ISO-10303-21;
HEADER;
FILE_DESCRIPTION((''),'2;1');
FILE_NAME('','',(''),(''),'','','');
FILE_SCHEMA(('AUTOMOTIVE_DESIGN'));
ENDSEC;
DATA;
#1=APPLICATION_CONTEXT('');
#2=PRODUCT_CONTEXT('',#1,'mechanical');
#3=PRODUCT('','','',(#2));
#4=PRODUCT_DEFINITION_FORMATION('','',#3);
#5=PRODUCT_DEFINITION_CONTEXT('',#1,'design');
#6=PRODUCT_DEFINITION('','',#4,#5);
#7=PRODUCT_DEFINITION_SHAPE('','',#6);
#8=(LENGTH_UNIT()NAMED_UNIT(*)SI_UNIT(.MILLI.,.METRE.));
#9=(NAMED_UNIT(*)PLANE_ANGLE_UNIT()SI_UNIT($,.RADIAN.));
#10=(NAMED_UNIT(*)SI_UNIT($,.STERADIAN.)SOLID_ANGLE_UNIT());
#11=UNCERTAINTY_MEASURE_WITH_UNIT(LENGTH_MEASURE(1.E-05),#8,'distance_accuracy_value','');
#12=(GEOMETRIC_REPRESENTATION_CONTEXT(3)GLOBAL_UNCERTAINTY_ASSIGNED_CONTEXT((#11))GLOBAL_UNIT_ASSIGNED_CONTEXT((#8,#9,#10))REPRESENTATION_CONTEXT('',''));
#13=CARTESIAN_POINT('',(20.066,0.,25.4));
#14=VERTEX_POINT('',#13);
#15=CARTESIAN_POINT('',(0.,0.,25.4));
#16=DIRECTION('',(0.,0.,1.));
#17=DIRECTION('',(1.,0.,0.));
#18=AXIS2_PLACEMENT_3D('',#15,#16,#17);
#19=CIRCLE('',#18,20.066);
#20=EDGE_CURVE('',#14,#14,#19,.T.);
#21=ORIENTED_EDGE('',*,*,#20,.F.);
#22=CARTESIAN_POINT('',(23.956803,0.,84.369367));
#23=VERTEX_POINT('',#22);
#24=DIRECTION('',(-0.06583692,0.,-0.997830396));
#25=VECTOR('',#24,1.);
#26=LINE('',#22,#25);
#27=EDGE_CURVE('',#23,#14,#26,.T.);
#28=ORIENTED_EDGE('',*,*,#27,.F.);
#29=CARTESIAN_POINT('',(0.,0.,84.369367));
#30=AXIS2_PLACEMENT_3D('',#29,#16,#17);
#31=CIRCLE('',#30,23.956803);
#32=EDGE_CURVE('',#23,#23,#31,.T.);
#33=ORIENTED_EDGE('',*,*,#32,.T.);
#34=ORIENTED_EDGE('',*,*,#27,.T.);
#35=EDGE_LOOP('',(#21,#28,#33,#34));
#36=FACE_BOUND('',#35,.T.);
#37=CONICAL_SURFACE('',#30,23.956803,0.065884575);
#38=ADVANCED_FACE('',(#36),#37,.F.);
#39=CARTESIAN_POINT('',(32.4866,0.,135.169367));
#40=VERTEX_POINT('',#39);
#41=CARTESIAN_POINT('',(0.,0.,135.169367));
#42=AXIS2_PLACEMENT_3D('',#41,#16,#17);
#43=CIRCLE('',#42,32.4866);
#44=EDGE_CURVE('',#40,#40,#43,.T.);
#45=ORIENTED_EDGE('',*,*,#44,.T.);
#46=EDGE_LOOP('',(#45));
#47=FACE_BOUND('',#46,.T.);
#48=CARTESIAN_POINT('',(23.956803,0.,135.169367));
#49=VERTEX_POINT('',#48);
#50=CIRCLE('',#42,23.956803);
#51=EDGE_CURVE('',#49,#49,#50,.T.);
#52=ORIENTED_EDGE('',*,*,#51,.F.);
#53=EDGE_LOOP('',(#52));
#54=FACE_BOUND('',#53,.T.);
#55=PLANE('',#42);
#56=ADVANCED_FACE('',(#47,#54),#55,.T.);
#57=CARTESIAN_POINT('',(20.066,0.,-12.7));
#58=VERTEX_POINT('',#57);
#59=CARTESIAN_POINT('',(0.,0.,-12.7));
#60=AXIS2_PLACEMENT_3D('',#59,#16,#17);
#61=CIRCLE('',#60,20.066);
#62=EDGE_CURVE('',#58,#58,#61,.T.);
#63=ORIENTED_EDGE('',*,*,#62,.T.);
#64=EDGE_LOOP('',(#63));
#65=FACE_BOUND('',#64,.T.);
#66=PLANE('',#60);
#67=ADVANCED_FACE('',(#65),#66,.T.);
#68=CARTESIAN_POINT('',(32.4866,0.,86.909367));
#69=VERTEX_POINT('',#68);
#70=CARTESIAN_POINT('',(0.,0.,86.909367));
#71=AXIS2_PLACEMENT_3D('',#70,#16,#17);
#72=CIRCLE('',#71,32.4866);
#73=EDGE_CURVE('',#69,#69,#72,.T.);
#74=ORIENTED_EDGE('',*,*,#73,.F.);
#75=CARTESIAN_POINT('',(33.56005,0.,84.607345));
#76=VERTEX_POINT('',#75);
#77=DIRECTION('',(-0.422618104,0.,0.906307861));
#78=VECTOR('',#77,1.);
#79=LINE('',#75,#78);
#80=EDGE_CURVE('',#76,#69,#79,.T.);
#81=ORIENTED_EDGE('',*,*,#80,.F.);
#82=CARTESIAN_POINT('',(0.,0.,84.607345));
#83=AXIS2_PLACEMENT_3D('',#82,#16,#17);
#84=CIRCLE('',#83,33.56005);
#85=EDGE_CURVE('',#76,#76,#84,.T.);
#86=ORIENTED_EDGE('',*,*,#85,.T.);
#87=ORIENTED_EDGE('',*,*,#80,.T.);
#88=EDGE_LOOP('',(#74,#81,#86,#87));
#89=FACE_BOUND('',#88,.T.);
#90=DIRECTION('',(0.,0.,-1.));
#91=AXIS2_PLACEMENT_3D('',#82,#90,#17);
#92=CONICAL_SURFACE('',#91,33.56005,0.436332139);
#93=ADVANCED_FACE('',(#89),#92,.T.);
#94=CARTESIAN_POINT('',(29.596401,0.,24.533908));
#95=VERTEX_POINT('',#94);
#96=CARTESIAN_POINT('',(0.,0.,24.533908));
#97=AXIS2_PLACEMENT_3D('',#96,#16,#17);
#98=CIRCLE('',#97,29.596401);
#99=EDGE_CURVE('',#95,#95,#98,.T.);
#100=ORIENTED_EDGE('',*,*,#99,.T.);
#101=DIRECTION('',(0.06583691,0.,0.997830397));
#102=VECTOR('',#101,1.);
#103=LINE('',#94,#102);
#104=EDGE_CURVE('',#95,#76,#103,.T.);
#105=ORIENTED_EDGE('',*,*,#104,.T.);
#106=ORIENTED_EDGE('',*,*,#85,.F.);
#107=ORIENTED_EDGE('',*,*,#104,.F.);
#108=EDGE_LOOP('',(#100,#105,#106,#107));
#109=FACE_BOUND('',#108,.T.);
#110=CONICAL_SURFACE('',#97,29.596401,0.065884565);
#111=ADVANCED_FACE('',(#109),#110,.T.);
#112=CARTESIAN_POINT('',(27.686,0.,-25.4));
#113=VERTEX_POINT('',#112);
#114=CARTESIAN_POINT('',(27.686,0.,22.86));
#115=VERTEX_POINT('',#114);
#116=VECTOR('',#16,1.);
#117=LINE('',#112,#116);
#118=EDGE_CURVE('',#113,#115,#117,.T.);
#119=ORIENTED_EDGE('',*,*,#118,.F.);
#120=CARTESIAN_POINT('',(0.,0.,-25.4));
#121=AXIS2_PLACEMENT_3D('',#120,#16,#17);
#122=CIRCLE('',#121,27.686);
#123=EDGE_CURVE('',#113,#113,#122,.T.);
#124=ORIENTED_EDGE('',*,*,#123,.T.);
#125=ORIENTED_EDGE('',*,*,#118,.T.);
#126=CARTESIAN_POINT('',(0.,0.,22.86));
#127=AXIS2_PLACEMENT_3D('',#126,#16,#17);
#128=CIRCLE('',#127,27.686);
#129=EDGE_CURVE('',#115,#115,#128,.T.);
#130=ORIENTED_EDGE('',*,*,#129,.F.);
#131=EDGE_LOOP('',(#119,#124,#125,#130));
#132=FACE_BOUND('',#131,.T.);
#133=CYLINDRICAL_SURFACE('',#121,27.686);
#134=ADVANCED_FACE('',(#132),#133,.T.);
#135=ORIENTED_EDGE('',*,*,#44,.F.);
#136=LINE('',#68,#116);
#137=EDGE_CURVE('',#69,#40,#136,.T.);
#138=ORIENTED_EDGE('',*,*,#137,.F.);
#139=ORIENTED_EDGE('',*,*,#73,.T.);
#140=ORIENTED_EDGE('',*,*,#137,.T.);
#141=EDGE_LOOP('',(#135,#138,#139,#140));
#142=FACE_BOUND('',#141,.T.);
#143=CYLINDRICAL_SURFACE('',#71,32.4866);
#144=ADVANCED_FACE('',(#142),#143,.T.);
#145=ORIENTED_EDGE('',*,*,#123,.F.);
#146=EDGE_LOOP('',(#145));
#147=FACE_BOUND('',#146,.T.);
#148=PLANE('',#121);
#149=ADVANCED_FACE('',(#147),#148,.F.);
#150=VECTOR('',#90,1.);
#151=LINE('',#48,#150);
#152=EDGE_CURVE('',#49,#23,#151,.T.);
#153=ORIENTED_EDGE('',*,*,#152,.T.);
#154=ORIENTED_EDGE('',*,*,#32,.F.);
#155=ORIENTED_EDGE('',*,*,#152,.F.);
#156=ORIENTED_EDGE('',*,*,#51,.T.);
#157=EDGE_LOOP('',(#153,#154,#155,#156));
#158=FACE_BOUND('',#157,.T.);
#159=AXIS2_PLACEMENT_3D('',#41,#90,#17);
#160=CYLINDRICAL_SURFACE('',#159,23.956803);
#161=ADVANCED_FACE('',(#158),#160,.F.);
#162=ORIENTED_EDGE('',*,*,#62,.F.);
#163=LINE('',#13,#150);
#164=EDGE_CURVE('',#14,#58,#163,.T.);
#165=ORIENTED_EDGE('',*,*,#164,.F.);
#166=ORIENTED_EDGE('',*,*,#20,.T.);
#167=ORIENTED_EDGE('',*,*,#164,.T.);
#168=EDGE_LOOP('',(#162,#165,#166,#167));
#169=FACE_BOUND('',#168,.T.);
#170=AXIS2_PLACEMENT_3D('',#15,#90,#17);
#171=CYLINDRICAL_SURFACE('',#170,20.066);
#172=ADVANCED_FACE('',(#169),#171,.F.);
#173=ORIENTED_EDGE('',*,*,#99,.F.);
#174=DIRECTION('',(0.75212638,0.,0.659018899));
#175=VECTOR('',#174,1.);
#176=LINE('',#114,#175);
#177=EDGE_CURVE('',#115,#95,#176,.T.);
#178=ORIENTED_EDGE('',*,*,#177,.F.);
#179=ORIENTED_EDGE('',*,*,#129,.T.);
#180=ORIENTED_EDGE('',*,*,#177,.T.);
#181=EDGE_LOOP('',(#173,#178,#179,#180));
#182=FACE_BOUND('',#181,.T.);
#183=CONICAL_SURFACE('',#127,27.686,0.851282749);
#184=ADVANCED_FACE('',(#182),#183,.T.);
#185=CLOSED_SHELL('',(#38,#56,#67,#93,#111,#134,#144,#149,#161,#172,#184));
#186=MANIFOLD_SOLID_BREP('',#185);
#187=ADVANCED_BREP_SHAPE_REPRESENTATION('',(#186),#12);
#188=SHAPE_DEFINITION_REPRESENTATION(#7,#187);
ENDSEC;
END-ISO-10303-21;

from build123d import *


with BuildPart() as f1:
    # F0 (on Front) → F1 (revolve)
    with BuildSketch(Plane.XZ):
        Polygon((32.4866, 86.909367), (32.4866, 109.769367), (32.4866, 135.169367), (23.956803, 135.169367), (23.956803, 109.769367), (23.956803, 84.369367), (20.066, 25.4), (20.066, 10.16), (20.066, -12.7), (0, -12.7), (0, -25.4), (27.686, -25.4), (27.686, 0), (27.686, 22.86), (29.596401, 24.533908), (33.56005, 84.607345), align=None)
    revolve(axis=Axis((0, 0, 25.216445), (0, 0, 1)))


solid = f1.part
